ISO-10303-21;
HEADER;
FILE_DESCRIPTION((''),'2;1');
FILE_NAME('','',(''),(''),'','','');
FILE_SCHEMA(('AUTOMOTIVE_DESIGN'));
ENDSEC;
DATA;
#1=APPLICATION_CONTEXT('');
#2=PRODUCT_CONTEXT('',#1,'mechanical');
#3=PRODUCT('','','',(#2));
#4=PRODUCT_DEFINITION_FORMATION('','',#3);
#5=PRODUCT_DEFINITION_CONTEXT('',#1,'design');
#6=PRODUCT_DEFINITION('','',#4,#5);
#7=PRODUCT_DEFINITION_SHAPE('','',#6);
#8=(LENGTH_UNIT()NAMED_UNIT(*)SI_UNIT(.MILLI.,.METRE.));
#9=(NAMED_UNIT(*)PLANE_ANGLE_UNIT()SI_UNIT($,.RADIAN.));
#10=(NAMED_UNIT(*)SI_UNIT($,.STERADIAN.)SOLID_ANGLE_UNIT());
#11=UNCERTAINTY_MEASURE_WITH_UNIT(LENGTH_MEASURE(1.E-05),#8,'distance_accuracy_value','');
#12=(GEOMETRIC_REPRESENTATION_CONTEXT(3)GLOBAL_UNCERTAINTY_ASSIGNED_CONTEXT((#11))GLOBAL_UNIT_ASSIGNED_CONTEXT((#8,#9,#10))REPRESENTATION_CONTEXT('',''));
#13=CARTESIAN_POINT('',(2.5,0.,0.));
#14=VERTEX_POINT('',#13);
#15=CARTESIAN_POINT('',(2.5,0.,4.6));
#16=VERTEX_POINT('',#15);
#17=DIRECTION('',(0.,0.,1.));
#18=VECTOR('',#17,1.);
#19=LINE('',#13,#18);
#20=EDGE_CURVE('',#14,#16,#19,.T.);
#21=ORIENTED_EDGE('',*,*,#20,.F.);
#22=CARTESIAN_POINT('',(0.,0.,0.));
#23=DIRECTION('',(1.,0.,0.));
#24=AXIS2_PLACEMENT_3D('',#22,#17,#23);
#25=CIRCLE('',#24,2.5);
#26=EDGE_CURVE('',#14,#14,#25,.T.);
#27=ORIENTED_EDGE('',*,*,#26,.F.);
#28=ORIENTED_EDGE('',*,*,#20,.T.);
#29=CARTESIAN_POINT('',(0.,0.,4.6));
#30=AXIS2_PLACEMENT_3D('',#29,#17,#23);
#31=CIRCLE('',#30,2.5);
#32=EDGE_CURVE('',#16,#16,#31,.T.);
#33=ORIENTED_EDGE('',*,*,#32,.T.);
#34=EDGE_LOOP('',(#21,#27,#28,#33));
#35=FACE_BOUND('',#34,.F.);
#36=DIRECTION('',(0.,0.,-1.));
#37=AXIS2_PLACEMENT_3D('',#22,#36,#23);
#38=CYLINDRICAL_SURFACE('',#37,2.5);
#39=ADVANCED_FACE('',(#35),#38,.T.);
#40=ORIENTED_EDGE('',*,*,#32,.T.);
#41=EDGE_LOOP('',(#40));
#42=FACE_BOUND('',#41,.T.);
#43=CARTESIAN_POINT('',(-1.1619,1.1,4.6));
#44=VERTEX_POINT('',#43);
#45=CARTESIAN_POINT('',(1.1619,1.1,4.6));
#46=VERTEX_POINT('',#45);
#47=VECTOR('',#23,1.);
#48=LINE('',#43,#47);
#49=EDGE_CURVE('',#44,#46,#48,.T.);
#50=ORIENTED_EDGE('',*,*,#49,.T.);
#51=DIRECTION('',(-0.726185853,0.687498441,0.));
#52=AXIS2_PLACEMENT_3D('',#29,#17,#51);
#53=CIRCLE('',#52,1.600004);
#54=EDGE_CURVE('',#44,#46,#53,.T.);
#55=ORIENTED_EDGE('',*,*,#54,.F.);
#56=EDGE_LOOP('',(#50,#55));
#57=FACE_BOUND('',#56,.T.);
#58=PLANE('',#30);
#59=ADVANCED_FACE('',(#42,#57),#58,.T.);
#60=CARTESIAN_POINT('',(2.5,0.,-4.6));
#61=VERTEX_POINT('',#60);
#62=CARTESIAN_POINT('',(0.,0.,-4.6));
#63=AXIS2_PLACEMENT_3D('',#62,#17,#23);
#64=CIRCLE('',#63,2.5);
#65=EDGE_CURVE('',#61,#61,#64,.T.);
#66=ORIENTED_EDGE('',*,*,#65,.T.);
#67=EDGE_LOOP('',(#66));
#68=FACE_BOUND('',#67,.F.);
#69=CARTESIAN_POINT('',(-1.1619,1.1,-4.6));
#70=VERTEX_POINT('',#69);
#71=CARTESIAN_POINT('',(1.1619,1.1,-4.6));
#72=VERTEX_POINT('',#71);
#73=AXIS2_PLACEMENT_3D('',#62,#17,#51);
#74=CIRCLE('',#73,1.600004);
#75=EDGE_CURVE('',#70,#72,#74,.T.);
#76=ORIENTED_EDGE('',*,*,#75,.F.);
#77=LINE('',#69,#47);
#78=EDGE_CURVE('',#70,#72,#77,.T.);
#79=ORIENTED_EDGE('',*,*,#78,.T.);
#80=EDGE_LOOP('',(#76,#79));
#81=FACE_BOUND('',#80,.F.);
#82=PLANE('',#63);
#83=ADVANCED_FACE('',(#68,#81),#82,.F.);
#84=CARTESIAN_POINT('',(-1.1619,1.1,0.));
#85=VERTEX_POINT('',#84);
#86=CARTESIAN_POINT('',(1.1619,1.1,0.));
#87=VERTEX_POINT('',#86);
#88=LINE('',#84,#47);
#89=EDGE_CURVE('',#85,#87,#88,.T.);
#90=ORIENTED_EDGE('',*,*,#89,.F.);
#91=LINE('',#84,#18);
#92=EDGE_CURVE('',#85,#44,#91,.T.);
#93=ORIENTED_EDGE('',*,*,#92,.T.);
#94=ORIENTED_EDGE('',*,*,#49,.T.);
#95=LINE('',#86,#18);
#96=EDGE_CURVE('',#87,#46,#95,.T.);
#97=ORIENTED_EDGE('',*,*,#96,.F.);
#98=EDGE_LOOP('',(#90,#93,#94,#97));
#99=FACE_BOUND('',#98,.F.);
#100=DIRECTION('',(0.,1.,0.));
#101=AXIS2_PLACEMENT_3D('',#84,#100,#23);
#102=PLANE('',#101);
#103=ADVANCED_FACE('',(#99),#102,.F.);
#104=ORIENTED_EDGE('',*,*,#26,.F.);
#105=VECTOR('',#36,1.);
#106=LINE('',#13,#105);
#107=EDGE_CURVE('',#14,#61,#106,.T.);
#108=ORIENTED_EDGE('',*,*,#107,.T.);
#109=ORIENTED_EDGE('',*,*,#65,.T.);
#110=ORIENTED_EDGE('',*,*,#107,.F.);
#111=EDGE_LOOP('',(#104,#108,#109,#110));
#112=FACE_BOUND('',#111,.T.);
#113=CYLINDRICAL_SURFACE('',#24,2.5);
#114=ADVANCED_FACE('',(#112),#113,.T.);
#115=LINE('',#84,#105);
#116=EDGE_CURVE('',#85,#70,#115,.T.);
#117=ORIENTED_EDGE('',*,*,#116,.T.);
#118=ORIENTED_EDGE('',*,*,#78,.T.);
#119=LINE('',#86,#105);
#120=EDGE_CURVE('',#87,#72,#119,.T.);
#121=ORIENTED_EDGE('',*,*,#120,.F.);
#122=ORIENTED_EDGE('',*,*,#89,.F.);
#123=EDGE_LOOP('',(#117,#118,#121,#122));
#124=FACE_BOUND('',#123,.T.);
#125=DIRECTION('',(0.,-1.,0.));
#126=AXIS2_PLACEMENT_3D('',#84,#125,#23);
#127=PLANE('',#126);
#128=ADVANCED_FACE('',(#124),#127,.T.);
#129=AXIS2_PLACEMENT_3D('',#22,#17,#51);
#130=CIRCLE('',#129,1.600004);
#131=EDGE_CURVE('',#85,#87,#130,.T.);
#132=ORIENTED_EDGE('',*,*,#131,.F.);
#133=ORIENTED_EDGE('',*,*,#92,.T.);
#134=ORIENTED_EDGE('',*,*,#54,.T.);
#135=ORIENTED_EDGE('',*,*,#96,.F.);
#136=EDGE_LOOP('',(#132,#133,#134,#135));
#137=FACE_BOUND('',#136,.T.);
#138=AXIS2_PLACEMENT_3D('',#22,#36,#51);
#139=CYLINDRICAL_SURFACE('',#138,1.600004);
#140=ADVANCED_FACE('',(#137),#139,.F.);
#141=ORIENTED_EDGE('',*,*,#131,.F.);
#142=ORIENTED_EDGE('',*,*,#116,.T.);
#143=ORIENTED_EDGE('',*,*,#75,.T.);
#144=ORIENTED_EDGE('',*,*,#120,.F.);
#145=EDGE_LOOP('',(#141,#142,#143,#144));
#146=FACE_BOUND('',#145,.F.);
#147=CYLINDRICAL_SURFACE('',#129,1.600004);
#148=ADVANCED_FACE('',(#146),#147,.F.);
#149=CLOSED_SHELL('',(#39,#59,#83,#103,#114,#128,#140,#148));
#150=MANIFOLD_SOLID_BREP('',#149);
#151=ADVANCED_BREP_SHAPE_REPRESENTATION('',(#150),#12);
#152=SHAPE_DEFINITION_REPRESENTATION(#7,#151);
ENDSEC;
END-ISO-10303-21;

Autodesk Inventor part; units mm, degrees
sketch "Sketch1" plane through (0, 0, 0) normal (0, 0, 1) x (1, 0, 0)
  circle A0 centre (0, 0) radius 2.5
  line L0 (-1.118, 1) -> (1.118, 1) projected
  arc A1 (-1.118, 1) -> (1.118, 1) centre (0, 0) ccw projected
  line L1 (-1.1619, 1.1) -> (1.1619, 1.1)
  arc A2 (-1.1619, 1.1) -> (1.1619, 1.1) centre (0, 0) ccw
  dimension "d1" = 3.2
  dimension "d0" = 5
  dimension "d4" = 0.5
extrude "Extrusion2" add sketch "Sketch1" along normal mid plane 9.2 contours A0
properties part number "conector_motor_001" material "ABS Plastic"
